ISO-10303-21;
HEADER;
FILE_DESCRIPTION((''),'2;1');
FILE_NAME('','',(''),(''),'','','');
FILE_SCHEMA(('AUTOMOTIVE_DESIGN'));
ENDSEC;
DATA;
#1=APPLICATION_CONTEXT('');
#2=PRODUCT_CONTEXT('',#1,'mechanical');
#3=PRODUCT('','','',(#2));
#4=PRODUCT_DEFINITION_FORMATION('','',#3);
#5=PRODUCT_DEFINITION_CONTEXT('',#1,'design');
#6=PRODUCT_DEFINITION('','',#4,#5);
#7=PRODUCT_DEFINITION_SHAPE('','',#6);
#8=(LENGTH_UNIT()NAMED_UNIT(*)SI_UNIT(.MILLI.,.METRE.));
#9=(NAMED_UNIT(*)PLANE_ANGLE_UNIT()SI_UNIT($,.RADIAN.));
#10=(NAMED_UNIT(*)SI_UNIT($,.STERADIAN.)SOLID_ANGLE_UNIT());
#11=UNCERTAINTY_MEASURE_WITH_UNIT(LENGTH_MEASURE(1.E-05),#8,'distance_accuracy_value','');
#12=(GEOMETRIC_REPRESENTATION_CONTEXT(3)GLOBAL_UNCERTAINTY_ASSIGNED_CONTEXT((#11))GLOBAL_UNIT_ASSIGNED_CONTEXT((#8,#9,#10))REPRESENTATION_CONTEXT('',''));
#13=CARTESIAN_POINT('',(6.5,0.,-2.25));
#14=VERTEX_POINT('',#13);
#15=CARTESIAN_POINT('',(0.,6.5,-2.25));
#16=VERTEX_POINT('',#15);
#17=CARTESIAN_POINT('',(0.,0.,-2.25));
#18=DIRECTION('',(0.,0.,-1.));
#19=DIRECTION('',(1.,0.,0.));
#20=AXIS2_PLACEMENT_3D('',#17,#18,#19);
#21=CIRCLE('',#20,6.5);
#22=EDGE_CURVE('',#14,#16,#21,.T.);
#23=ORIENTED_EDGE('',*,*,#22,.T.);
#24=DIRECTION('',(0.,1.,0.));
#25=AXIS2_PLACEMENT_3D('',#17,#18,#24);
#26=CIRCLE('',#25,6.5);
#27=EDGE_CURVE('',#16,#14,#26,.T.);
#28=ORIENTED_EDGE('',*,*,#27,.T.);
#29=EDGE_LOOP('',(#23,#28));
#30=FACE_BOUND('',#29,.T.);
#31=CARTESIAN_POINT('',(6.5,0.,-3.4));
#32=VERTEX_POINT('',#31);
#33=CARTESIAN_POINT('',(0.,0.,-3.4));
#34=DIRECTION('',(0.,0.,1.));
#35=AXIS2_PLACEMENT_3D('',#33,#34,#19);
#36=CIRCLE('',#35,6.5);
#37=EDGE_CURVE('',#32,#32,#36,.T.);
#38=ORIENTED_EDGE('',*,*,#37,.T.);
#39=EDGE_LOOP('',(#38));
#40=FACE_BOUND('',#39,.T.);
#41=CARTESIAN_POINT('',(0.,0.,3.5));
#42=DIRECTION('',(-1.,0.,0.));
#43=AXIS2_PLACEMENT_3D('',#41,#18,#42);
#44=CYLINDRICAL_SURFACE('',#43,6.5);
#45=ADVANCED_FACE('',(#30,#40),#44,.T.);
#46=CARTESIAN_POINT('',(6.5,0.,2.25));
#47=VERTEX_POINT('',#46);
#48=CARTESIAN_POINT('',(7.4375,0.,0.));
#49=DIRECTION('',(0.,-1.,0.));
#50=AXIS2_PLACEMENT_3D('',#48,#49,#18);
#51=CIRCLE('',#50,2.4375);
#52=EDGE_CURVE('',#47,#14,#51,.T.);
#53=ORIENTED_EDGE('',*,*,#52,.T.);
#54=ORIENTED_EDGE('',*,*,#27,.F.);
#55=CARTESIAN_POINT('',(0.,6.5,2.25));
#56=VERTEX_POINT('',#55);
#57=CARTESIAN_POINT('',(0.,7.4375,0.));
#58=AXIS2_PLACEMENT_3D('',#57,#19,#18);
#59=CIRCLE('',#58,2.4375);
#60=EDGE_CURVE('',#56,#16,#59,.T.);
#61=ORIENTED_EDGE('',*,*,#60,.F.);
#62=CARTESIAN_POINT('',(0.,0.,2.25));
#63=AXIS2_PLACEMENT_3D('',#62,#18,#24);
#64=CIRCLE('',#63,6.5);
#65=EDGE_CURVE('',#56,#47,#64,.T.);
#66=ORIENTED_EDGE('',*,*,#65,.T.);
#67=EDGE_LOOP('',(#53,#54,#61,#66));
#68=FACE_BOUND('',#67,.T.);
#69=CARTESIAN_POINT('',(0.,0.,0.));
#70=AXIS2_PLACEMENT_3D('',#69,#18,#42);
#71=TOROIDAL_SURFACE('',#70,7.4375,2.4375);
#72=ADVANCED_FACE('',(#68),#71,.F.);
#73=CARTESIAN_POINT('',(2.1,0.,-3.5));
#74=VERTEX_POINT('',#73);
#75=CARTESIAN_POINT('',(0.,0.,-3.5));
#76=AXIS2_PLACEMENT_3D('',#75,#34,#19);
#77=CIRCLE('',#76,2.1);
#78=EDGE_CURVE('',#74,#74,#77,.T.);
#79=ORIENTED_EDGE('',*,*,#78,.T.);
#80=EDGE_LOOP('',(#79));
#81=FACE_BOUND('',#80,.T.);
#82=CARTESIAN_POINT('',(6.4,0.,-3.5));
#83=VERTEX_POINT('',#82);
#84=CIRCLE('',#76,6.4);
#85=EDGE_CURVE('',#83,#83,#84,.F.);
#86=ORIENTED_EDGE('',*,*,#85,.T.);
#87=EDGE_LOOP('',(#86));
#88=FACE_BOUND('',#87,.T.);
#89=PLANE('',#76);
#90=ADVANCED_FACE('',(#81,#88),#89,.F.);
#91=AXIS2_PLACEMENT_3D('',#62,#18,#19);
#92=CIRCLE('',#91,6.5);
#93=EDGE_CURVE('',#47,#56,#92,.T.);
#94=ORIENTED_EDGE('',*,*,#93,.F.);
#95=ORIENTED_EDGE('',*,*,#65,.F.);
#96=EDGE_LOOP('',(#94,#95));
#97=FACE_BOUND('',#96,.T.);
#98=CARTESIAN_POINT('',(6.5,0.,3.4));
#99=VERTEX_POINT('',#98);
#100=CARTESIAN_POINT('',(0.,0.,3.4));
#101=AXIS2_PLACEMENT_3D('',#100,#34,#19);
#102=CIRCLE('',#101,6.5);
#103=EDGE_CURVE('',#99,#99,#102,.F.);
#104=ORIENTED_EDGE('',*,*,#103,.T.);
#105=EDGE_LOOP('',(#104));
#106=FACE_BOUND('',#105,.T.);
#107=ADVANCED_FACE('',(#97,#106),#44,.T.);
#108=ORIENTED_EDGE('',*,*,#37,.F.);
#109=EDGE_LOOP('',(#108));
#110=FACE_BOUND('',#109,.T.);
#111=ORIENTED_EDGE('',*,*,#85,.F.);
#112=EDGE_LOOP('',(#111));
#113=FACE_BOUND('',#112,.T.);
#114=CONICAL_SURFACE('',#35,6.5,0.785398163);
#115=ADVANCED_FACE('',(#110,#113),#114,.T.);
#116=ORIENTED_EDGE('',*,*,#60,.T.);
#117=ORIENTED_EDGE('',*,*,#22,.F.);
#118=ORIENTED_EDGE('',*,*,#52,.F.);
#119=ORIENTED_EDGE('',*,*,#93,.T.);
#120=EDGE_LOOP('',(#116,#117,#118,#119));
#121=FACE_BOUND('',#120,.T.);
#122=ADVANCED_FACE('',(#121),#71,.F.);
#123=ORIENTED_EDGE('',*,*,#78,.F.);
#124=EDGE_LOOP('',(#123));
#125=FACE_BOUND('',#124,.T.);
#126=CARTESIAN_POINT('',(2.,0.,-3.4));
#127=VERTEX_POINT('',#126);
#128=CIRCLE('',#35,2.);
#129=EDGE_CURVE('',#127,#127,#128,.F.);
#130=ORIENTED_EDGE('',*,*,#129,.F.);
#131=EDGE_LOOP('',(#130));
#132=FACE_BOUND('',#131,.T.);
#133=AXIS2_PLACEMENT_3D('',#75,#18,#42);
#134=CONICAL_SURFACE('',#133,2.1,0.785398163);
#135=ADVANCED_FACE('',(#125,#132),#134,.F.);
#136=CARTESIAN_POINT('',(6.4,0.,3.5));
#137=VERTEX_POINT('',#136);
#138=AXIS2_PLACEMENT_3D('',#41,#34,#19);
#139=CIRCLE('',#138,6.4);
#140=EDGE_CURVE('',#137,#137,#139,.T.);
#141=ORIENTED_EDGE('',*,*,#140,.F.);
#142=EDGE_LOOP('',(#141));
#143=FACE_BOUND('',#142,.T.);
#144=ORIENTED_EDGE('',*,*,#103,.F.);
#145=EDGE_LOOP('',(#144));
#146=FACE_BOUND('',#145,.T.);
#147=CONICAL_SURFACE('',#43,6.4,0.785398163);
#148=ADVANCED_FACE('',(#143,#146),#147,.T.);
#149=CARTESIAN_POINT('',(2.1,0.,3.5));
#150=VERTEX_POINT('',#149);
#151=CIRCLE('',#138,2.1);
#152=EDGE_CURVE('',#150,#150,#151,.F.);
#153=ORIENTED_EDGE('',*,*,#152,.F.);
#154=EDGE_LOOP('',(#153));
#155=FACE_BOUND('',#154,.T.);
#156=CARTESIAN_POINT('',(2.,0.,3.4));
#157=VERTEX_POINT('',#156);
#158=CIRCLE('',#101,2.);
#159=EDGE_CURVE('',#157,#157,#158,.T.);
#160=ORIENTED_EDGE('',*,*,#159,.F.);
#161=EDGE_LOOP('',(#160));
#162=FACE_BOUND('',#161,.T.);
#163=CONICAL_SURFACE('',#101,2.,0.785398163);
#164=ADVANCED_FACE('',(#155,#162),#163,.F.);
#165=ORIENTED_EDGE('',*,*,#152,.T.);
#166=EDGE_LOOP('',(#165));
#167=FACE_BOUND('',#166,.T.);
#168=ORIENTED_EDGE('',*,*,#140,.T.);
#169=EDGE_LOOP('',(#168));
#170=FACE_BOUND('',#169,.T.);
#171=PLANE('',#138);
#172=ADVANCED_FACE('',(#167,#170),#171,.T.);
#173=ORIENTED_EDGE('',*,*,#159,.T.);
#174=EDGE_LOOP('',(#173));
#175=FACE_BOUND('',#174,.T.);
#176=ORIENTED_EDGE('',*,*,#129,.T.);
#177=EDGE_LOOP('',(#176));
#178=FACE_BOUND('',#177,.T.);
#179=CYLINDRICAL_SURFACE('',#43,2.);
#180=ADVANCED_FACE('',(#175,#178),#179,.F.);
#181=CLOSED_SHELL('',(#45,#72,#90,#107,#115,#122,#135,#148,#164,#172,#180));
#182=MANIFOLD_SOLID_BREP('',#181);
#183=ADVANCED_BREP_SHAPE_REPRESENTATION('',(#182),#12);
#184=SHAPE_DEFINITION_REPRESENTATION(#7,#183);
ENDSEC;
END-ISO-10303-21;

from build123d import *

# Parameters (mm, degrees)
SKETCH_1_R      = 6.5
SKETCH_1_R_2    = 2
EXTRUDE_1_DEPTH = 3.5
CHAMFER_1_SIZE  = 0.1


with BuildPart() as part:
    # 草图1 → 凸台-拉伸1 (new, symmetric)
    with BuildSketch(Plane.XY):
        Circle(SKETCH_1_R)
        Circle(SKETCH_1_R_2, mode=Mode.SUBTRACT)
    extrude(amount=EXTRUDE_1_DEPTH, both=True)

    # 切除-扫描1: sweep along a curve in space
    with BuildLine() as sweep_1_path:
        ThreePointArc((6.5, 0, -3.5), (4.596194078, 4.596194078, -3.5), (0, 6.5, -3.5))
        ThreePointArc((0, 6.5, -3.5), (-4.596194078, 4.596194078, -3.5), (-6.5, 0, -3.5))
        ThreePointArc((-6.5, 0, -3.5), (-4.596194078, -4.596194078, -3.5), (0, -6.5, -3.5))
        ThreePointArc((0, -6.5, -3.5), (4.596194078, -4.596194078, -3.5), (6.5, 0, -3.5))
    # 草图2 → 切除-扫描1 (sweep, cut)
    with BuildSketch(Plane(origin=(0, 0, 0), x_dir=(0, 0, -1), z_dir=(1, 0, 0))):
        with BuildLine():
            Line((-2.25, 6.5), (2.25, 6.5))
            ThreePointArc((2.25, 6.5), (0, 5), (-2.25, 6.5))
        make_face()
    sweep(path=sweep_1_path.line, mode=Mode.SUBTRACT)

    # 倒角1
    chamfer_1_edges = [part.edges().sort_by_distance(p)[0] for p in [
        (-6.5, 0, -3.5),
        (-6.5, 0, 3.5),
        (-2, 0, -3.5),
        (-2, 0, 3.5),
    ]]
    chamfer(chamfer_1_edges, length=CHAMFER_1_SIZE)


solid = part.part
